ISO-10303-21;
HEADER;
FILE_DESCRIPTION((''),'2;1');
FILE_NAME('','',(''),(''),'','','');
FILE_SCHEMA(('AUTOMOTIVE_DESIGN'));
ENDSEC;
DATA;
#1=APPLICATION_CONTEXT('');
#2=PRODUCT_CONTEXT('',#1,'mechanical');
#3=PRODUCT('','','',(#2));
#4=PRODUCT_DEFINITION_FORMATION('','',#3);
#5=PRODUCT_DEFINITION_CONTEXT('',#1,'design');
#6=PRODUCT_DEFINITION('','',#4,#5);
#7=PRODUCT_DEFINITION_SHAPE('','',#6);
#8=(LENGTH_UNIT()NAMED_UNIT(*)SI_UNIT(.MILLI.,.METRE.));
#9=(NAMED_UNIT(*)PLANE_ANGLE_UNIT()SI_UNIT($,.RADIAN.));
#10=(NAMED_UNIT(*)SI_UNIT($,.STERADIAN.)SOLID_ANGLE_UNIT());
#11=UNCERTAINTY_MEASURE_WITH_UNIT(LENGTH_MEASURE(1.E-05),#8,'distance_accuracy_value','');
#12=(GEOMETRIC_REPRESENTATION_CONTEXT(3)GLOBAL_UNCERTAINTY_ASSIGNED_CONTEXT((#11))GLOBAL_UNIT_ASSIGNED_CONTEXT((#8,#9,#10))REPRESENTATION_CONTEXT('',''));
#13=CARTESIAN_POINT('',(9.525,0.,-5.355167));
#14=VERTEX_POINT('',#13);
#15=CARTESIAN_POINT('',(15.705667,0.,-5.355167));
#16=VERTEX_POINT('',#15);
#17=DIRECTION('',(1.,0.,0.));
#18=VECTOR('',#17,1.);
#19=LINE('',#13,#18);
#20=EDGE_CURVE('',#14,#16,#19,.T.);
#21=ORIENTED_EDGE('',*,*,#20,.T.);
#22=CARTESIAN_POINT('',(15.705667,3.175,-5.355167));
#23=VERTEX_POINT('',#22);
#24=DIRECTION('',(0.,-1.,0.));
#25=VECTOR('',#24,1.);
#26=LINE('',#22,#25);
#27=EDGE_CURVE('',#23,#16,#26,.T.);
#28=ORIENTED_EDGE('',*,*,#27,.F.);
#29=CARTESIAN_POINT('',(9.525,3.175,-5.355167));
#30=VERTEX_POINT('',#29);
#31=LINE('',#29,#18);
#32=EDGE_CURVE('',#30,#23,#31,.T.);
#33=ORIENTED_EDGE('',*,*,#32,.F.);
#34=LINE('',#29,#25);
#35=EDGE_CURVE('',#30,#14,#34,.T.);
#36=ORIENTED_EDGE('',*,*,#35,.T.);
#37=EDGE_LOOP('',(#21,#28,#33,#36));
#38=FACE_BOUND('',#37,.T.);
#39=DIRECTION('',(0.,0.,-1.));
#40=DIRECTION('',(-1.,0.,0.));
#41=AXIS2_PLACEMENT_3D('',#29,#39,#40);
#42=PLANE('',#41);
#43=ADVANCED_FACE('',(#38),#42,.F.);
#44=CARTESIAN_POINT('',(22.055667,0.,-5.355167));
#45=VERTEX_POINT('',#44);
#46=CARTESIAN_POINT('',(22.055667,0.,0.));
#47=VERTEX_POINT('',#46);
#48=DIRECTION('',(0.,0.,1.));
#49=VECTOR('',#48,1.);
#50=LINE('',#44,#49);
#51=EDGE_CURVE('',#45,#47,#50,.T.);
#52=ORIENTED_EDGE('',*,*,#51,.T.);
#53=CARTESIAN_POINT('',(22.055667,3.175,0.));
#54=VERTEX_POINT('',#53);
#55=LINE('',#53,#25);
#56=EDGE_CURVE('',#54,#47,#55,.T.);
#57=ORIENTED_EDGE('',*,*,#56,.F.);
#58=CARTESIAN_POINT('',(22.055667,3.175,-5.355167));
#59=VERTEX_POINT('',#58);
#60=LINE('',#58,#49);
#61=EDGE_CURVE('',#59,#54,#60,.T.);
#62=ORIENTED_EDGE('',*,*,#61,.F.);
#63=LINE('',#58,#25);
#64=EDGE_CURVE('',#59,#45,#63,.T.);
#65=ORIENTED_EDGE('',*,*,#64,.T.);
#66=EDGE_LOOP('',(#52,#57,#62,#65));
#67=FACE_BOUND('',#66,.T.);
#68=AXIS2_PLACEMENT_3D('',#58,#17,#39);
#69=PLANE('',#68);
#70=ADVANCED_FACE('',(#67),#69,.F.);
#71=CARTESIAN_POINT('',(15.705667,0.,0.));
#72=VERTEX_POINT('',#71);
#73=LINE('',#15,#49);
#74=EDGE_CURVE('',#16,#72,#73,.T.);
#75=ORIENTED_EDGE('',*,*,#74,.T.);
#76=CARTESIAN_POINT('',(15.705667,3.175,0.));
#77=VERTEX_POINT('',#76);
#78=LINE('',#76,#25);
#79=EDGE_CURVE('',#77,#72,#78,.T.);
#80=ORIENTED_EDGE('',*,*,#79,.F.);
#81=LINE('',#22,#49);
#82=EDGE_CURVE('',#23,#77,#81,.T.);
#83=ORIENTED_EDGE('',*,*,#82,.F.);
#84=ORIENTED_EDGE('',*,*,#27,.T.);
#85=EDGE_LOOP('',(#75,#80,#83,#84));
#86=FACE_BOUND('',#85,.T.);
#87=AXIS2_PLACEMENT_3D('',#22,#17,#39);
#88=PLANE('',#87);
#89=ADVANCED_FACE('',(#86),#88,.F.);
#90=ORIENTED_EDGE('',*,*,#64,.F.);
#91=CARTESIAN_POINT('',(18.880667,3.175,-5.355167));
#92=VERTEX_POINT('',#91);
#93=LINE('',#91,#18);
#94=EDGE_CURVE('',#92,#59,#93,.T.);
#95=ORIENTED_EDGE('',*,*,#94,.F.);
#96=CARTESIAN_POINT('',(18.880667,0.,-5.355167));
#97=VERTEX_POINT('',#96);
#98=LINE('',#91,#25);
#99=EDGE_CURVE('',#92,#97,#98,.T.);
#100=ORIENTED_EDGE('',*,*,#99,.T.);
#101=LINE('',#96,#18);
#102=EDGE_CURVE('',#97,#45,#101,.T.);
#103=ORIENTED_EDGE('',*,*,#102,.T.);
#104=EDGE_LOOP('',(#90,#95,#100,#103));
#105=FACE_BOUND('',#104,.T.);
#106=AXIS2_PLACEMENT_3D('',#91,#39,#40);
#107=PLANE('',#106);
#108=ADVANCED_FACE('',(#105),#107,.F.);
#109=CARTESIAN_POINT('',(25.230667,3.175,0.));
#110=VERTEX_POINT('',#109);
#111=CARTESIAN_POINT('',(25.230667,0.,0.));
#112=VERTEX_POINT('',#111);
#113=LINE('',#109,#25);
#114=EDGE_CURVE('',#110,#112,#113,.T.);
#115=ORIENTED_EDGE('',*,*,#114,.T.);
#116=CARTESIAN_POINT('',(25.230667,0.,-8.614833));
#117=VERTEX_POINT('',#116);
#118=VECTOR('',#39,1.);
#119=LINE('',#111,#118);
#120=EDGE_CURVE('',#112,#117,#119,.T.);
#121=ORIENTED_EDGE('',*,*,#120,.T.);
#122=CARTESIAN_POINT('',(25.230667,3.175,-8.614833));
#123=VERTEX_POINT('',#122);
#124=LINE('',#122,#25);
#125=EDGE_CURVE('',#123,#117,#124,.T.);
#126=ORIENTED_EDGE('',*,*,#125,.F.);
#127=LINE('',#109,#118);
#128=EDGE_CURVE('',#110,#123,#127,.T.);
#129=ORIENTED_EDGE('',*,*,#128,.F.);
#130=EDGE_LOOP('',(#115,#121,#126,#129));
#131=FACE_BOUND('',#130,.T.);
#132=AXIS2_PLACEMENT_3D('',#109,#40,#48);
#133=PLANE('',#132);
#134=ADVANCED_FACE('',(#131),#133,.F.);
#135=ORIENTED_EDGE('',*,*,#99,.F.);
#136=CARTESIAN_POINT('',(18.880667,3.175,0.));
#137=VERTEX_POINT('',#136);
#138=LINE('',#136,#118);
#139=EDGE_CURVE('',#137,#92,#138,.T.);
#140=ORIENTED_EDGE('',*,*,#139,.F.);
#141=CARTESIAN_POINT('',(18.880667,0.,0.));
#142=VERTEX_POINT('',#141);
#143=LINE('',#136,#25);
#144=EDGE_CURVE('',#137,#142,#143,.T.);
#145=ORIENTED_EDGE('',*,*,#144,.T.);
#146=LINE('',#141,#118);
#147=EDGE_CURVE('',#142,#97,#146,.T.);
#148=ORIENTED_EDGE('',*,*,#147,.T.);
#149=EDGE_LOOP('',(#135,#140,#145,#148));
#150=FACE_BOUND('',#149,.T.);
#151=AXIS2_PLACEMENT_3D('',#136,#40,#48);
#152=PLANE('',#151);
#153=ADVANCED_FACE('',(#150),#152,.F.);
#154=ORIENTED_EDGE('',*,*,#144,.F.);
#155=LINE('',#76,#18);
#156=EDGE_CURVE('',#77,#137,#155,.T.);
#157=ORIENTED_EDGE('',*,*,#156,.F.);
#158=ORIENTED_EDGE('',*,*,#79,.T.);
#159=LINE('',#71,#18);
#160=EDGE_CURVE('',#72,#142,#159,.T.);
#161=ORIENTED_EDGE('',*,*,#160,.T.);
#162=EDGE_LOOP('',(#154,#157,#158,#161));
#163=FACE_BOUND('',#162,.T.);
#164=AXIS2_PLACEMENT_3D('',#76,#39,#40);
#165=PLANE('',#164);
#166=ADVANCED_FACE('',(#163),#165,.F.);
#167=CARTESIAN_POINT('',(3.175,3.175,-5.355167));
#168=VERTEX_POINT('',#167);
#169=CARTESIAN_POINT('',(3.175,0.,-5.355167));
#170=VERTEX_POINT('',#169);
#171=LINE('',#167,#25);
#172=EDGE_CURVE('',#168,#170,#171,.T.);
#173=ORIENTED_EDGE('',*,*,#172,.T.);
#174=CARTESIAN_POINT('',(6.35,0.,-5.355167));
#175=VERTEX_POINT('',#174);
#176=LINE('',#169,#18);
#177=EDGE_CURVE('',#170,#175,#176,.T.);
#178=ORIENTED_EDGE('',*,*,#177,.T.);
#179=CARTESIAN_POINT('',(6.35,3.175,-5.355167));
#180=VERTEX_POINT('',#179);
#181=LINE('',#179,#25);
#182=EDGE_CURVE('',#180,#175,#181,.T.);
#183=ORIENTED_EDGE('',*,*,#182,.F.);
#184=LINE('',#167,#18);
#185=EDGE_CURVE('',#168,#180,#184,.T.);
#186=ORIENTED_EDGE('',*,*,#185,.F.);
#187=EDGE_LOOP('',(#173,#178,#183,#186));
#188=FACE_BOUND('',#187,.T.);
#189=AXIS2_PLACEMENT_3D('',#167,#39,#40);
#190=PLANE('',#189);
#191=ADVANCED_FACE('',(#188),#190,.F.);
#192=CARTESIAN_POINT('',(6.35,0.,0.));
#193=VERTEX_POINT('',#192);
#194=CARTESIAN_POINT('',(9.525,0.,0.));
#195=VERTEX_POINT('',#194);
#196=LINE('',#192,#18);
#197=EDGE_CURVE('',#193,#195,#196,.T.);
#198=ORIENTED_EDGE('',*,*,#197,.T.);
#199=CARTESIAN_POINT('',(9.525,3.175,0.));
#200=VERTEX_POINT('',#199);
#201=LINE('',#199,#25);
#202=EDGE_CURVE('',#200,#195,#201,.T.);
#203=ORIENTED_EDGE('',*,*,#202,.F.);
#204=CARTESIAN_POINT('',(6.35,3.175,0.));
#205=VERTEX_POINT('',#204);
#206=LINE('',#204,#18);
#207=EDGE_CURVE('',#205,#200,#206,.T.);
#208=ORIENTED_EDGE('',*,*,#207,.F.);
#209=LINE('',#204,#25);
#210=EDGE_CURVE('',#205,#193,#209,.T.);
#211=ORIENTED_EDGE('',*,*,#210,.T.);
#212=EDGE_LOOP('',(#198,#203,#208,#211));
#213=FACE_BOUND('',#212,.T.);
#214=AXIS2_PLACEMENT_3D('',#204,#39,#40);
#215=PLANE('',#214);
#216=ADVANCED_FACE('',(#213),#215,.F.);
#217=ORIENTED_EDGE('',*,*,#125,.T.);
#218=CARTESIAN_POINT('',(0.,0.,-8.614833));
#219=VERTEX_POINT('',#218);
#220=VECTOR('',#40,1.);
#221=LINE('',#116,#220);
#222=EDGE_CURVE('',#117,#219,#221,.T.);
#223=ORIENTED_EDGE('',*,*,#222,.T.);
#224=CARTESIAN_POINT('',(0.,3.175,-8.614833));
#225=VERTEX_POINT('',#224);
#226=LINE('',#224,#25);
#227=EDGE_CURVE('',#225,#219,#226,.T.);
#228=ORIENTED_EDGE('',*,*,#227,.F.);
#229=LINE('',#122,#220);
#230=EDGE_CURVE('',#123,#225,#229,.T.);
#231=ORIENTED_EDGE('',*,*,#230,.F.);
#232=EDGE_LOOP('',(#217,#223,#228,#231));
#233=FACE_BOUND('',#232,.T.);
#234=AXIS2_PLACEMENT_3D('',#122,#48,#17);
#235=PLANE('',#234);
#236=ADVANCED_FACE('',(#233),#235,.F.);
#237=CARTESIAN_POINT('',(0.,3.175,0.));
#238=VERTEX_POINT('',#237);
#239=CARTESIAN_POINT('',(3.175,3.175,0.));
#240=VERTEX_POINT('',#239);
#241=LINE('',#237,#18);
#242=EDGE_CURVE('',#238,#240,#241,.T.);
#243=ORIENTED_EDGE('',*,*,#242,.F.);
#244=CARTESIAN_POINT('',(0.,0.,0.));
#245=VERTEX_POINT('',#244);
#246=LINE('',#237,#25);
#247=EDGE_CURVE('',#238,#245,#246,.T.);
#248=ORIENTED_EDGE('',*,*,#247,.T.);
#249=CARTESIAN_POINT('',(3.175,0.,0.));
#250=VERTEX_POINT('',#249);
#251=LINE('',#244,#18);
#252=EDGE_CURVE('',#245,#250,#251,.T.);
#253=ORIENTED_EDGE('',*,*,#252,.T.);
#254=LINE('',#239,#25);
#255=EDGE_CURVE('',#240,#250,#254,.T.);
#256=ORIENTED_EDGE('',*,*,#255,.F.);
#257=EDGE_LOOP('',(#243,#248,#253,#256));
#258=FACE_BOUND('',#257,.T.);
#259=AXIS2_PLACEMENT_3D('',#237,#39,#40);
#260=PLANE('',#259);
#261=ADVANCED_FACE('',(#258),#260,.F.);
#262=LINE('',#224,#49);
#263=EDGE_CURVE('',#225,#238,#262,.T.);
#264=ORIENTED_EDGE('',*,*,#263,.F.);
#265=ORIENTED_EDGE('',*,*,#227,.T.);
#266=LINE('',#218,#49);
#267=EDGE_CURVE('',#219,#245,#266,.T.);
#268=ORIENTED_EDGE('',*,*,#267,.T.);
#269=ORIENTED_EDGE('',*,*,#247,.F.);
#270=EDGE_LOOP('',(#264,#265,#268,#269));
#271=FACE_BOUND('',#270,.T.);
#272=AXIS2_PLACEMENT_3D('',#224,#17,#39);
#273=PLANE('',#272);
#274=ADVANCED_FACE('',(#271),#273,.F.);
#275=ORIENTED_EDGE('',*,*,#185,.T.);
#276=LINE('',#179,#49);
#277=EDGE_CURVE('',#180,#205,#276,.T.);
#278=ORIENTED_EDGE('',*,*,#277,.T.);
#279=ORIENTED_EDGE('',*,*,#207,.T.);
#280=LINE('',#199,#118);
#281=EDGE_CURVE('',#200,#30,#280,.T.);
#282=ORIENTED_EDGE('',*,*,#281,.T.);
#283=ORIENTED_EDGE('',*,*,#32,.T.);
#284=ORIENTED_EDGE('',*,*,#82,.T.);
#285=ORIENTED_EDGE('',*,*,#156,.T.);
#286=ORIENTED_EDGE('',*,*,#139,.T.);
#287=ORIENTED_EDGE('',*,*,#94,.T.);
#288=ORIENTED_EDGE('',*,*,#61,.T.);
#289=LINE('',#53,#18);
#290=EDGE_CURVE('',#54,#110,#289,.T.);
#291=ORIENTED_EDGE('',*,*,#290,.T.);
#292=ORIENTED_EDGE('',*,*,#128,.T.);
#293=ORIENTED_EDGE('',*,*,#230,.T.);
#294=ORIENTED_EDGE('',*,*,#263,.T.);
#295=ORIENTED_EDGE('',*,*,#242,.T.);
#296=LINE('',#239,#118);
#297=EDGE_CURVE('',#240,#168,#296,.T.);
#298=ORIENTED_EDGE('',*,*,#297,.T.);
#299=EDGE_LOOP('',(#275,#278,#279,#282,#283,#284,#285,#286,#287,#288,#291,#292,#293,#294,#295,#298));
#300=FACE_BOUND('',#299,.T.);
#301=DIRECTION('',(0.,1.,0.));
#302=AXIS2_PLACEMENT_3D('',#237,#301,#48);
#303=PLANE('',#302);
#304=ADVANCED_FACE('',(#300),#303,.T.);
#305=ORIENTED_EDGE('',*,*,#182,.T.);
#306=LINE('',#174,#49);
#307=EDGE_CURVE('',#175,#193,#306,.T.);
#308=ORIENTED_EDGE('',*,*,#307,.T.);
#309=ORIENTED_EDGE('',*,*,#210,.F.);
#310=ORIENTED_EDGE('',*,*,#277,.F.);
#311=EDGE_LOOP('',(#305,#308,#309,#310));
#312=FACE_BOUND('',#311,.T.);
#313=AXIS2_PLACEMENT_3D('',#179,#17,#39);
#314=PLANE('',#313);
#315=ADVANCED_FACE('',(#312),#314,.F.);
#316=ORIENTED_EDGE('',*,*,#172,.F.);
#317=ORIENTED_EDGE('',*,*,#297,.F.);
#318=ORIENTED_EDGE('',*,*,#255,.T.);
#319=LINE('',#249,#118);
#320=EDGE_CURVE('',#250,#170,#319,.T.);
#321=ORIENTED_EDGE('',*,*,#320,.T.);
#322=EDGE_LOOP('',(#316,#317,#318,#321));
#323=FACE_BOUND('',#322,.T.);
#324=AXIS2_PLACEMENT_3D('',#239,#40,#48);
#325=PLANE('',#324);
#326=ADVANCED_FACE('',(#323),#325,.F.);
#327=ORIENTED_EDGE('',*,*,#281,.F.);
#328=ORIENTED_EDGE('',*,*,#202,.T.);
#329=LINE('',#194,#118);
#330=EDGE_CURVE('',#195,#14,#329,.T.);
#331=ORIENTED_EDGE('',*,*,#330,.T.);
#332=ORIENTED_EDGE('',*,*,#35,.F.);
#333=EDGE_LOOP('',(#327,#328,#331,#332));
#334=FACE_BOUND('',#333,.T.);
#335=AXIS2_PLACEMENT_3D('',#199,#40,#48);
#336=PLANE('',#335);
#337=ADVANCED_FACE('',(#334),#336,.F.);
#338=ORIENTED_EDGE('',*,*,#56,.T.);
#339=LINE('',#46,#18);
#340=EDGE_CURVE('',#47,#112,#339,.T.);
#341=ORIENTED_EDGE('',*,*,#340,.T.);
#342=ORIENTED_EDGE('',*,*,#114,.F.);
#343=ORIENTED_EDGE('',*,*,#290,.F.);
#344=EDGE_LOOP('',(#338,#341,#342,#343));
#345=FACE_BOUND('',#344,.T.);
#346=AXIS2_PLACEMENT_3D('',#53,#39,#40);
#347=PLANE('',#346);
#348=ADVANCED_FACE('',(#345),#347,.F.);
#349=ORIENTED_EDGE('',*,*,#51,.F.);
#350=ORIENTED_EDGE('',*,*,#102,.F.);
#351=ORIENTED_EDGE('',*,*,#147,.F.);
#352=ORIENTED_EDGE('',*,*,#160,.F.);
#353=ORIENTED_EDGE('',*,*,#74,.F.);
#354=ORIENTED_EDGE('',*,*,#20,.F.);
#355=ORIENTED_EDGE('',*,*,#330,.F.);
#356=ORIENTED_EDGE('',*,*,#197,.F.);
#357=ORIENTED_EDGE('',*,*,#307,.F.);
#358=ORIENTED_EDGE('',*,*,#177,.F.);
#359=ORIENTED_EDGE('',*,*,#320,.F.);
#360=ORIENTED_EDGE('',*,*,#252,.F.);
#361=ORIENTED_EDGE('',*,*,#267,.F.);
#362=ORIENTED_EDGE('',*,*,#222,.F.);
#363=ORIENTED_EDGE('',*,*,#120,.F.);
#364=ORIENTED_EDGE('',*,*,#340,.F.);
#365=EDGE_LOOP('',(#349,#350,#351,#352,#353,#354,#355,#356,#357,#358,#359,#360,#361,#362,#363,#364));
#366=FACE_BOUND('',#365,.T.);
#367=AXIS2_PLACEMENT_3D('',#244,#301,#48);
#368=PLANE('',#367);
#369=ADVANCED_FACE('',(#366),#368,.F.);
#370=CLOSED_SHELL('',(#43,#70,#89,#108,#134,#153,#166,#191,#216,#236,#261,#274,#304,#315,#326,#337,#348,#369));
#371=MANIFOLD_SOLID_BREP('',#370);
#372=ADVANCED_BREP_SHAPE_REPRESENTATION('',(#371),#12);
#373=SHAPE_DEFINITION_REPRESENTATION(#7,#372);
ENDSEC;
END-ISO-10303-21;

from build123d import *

# Parameters (mm, degrees)
BOSS_EXTRUDE1_DEPTH = 3.175


with BuildPart() as part:
    # Sketch1 → Boss-Extrude1 (new body)
    with BuildSketch(Plane(origin=(0, 0, 0), x_dir=(1, 0, 0), z_dir=(0, 1, 0))):
        Polygon((0, 0), (3.175, 0), (3.175, 5.355166667), (6.35, 5.355166667), (6.35, 0), (9.525, 0), (9.525, 5.355166667), (15.705666667, 5.355166667), (15.705666667, 0), (18.880666667, 0), (18.880666667, 5.355166667), (22.055666667, 5.355166667), (22.055666667, 0), (25.230666667, 0), (25.230666667, 8.614833333), (0, 8.614833333), align=None)
    extrude(amount=BOSS_EXTRUDE1_DEPTH)


solid = part.part
